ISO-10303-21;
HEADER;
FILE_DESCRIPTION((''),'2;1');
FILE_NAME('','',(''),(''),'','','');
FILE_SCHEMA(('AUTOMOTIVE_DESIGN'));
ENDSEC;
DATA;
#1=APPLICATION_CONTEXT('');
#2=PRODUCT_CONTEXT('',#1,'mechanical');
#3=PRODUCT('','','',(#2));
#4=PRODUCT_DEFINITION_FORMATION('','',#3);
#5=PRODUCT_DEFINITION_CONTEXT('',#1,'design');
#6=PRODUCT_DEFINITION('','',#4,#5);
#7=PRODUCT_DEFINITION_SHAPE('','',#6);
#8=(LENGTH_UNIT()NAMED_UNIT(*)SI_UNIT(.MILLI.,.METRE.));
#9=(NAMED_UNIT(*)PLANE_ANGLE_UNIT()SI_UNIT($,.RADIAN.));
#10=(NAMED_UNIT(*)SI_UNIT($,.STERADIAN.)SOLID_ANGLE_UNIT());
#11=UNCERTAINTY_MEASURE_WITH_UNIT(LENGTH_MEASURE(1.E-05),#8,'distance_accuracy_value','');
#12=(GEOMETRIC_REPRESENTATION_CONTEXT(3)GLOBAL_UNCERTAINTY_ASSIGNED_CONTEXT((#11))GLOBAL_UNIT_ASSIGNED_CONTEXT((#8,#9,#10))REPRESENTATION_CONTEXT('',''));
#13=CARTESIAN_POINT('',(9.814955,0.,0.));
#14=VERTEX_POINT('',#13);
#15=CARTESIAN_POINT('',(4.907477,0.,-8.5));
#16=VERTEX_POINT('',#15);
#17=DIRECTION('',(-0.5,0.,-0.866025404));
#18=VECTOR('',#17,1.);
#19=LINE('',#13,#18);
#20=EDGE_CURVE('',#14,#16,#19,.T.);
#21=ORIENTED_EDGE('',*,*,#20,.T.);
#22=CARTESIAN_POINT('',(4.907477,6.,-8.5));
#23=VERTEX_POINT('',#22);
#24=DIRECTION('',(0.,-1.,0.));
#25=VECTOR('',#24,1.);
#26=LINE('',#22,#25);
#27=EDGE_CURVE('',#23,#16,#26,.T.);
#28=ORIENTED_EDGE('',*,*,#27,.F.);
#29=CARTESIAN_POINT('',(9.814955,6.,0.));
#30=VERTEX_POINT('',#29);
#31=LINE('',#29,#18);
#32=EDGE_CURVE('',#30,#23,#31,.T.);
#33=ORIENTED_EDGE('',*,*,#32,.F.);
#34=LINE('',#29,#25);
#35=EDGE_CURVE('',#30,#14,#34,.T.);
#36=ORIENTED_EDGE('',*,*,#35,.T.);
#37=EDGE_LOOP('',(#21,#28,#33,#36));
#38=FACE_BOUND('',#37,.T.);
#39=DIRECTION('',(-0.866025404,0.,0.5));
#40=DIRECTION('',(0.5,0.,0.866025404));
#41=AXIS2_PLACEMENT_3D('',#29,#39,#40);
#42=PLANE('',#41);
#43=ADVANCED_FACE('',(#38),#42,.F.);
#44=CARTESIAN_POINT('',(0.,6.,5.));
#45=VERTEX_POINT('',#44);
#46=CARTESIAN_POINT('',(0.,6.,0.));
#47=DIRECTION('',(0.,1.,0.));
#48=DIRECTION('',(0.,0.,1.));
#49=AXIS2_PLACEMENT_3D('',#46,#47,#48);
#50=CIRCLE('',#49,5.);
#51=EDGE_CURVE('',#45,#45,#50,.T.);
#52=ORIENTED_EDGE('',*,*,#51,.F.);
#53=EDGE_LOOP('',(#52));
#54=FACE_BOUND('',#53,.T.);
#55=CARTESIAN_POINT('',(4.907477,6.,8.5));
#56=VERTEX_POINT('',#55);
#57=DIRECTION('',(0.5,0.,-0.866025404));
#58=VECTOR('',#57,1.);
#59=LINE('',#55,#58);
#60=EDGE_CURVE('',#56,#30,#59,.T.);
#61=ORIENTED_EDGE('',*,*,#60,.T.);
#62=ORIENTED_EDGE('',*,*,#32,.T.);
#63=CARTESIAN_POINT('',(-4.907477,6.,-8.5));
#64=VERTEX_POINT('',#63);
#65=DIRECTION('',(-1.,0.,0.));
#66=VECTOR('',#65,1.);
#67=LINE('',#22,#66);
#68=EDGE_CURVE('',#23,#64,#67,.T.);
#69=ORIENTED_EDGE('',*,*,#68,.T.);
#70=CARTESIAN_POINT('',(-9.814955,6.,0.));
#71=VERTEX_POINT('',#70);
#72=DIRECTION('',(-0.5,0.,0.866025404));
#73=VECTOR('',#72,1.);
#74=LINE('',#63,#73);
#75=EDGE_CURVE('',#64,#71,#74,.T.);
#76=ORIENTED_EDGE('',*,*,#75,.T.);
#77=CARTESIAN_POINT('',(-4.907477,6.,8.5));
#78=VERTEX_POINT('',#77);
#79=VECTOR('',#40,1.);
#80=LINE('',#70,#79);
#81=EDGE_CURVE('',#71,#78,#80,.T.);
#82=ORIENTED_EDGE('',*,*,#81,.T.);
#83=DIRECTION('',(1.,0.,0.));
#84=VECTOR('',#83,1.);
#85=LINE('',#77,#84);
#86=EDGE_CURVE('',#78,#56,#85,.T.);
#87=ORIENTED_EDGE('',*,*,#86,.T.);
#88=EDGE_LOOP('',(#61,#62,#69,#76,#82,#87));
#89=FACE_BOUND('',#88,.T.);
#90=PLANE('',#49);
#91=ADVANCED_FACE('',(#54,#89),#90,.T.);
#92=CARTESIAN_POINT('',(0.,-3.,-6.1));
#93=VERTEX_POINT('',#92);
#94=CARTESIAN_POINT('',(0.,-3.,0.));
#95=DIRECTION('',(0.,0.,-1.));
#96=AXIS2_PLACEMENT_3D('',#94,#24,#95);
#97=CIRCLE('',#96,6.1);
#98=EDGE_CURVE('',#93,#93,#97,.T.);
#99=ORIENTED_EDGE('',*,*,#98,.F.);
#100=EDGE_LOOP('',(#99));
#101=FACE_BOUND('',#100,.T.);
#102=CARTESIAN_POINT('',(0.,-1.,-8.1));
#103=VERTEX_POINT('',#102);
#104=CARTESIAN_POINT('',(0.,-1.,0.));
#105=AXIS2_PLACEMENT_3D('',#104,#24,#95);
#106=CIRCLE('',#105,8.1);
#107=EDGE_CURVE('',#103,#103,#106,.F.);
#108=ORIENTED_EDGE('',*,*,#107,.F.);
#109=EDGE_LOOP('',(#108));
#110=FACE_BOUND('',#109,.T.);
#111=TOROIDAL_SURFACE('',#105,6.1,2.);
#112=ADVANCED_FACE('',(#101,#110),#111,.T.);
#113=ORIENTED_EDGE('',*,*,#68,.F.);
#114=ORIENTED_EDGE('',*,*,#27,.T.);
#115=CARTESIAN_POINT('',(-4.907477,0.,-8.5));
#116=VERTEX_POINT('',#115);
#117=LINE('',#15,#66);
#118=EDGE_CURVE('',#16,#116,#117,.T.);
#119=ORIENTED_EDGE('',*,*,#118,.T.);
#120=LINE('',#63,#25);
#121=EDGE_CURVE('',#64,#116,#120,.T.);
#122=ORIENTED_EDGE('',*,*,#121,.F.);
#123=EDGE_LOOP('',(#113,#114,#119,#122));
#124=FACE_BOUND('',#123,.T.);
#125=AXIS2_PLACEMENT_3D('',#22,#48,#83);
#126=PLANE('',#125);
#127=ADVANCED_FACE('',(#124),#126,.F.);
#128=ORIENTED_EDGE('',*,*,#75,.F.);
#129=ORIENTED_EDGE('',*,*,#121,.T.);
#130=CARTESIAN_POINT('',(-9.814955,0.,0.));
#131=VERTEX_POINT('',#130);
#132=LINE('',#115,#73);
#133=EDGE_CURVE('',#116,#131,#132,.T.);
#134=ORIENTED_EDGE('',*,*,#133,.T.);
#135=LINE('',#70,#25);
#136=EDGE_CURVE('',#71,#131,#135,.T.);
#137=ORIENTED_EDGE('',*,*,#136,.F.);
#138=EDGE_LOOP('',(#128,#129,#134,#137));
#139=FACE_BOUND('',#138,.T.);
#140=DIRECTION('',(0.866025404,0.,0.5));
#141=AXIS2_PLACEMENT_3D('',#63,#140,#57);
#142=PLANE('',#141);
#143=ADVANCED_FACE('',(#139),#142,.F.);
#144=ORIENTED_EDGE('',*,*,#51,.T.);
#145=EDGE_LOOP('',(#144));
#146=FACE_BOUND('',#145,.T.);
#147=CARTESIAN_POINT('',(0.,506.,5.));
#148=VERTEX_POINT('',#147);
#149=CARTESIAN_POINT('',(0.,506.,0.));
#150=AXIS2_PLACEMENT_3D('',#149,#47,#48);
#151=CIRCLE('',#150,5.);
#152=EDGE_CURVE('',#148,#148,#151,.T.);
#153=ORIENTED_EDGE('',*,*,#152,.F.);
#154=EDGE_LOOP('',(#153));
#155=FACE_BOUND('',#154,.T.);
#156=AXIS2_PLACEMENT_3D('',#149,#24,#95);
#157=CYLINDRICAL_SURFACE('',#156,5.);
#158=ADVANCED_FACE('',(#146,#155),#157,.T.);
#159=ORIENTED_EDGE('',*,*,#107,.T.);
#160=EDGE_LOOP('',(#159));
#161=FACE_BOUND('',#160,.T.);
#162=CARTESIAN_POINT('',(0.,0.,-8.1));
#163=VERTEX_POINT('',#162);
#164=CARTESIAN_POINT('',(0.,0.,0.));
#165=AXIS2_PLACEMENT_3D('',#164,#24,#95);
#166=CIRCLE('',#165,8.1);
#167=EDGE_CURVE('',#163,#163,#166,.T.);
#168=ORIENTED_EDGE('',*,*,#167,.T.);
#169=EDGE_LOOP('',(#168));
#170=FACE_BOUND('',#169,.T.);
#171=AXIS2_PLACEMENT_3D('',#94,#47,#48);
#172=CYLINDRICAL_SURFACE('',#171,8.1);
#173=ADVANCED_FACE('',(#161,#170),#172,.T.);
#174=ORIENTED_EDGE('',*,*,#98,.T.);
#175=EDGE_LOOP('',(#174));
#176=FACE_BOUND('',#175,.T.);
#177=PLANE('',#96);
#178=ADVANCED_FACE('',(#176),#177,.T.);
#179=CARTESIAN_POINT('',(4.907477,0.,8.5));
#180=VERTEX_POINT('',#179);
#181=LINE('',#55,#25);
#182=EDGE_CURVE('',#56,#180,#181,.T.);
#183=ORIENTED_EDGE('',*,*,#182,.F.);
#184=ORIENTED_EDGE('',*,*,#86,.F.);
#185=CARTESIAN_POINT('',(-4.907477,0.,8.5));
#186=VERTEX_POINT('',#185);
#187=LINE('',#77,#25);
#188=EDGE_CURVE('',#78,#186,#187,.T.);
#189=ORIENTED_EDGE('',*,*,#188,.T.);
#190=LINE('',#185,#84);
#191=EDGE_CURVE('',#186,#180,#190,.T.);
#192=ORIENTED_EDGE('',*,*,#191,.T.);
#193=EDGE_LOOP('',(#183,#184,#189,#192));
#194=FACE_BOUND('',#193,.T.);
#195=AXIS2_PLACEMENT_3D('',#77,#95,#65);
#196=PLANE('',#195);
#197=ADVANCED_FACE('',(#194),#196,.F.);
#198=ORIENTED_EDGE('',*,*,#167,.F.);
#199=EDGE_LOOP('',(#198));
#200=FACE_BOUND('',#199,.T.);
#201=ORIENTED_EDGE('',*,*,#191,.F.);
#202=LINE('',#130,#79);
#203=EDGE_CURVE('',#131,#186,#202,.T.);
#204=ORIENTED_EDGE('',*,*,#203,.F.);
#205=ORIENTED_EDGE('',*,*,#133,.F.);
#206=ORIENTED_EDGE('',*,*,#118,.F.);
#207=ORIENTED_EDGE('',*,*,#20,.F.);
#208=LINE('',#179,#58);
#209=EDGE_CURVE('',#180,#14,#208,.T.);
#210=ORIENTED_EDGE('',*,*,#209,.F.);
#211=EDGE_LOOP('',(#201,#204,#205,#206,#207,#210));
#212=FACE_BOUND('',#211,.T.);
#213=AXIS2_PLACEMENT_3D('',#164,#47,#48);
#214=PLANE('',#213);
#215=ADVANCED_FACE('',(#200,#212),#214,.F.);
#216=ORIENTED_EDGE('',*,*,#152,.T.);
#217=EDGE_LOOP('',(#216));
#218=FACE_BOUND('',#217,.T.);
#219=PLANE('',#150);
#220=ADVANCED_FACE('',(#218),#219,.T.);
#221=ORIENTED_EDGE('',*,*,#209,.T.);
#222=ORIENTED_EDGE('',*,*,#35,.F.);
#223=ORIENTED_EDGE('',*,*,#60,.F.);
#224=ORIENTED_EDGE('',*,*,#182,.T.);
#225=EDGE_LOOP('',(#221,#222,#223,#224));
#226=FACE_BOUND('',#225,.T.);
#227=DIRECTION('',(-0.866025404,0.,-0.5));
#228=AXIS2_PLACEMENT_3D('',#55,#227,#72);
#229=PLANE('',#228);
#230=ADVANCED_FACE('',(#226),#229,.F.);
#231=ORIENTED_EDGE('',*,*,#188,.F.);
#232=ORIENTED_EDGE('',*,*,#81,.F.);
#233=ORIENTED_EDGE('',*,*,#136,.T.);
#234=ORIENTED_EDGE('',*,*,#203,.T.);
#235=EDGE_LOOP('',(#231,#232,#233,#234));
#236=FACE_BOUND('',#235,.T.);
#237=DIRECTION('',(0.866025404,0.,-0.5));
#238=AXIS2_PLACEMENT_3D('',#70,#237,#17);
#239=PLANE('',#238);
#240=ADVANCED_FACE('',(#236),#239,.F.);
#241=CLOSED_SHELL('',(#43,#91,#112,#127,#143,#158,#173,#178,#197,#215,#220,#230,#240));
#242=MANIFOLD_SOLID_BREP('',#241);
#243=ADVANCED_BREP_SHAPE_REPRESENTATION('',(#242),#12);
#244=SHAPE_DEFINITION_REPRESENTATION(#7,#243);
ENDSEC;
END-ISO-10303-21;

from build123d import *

# Parameters (mm, degrees)
SALIENTE_EXTRUIR1_DEPTH = 6
CROQUIS2_R              = 8.1
SALIENTE_EXTRUIR2_DEPTH = 3
REDONDEO1_R             = 2
CROQUIS3_R              = 5
SALIENTE_EXTRUIR3_DEPTH = 500


with BuildPart() as part:
    # Croquis1 → Saliente-Extruir1 (new body)
    with BuildSketch(Plane(origin=(0, 0, 0), x_dir=(1, 0, 0), z_dir=(0, 1, 0))):
        Polygon((4.907477288, -8.5), (9.814954576, 0), (4.907477288, 8.5), (-4.907477288, 8.5), (-9.814954576, 0), (-4.907477288, -8.5), align=None)
    extrude(amount=SALIENTE_EXTRUIR1_DEPTH)

    # Croquis2 → Saliente-Extruir2 (add)
    with BuildSketch(Plane.XZ):
        with Locations(Location((0, 0, 0), (0, 0, 270))):
            Circle(CROQUIS2_R)
    extrude(amount=SALIENTE_EXTRUIR2_DEPTH)

    # Redondeo1
    redondeo1_edges = [part.edges().sort_by_distance(p)[0] for p in [
        (0, -3, 8.1),
    ]]
    fillet(redondeo1_edges, radius=REDONDEO1_R)

    # Croquis3 → Saliente-Extruir3 (add)
    with BuildSketch(Plane(origin=(0, 6, 0), x_dir=(1, 0, 0), z_dir=(0, 1, 0))):
        with Locations(Location((0, 0, 0), (0, 0, 270))):
            Circle(CROQUIS3_R)
    extrude(amount=SALIENTE_EXTRUIR3_DEPTH)


solid = part.part
